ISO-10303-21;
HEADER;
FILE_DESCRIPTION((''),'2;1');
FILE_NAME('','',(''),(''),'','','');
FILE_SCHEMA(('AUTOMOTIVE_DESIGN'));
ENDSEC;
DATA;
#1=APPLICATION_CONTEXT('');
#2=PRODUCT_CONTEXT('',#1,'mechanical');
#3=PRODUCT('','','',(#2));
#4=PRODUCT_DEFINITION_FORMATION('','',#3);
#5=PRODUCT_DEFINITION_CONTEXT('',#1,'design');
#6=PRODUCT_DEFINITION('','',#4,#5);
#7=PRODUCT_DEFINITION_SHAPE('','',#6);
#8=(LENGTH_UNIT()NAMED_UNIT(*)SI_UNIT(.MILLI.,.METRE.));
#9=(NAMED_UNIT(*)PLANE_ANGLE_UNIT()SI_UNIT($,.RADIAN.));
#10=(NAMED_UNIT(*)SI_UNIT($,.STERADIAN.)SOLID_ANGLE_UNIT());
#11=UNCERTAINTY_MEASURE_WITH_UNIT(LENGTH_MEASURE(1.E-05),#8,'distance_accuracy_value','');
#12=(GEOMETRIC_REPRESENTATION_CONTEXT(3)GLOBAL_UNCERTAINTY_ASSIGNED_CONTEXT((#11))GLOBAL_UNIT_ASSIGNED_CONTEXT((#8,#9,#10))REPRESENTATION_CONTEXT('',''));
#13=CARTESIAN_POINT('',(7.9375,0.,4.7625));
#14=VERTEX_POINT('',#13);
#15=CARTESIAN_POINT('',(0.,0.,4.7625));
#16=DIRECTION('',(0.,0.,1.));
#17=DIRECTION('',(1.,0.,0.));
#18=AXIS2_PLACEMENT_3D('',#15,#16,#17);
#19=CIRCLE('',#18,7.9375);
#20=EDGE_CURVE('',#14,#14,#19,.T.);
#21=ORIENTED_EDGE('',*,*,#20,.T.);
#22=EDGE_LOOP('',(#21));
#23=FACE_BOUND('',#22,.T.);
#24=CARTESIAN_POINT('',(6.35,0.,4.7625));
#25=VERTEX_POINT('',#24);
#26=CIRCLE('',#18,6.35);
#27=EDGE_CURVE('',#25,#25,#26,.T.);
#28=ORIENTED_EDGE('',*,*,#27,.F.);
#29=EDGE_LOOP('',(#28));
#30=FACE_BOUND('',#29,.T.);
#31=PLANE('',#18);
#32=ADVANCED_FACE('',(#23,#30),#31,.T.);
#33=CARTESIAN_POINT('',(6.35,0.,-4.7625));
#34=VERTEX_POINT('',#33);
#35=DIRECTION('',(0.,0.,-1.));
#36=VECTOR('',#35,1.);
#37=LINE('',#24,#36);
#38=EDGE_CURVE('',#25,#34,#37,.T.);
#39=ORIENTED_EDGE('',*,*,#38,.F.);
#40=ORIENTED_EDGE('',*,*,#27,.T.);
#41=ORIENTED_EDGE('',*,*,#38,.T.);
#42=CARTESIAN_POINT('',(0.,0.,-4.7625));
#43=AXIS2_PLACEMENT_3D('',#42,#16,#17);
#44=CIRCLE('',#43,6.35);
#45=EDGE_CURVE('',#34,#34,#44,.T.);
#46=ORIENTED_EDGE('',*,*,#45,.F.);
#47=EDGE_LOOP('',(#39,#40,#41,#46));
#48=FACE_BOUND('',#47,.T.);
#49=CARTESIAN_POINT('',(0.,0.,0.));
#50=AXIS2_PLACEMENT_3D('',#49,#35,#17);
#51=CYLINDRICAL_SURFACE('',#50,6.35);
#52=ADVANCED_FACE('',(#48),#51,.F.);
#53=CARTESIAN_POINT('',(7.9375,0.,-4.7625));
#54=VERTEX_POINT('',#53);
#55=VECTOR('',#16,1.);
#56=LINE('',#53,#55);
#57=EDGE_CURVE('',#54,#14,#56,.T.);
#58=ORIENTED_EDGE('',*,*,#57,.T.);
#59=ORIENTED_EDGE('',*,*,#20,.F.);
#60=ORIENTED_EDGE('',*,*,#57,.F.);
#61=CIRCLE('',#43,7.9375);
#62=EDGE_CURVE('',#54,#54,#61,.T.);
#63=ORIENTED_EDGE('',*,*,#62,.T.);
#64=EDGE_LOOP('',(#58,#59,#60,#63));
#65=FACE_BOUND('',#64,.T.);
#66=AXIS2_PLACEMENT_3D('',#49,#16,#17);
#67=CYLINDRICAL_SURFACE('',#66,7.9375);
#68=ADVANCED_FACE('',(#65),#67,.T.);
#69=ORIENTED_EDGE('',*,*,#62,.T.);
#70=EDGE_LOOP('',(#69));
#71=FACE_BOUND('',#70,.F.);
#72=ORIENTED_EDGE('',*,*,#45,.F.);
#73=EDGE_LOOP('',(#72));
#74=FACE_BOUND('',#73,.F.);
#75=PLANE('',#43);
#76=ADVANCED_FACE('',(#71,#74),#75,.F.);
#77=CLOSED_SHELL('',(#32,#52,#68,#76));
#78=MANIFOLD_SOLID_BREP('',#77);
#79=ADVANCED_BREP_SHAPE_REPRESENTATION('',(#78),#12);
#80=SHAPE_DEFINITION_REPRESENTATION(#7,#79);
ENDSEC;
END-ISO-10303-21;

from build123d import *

# Parameters (mm, degrees)
SKETCH1_R      = 7.9375
SKETCH1_R_2    = 6.35
EXTRUDE1_DEPTH = 4.7625


with BuildPart() as part:
    # Sketch1 → Extrude1 (new body, symmetric)
    with BuildSketch(Plane.XY):
        Circle(SKETCH1_R)
        Circle(SKETCH1_R_2, mode=Mode.SUBTRACT)
    extrude(amount=EXTRUDE1_DEPTH, both=True)


solid = part.part
